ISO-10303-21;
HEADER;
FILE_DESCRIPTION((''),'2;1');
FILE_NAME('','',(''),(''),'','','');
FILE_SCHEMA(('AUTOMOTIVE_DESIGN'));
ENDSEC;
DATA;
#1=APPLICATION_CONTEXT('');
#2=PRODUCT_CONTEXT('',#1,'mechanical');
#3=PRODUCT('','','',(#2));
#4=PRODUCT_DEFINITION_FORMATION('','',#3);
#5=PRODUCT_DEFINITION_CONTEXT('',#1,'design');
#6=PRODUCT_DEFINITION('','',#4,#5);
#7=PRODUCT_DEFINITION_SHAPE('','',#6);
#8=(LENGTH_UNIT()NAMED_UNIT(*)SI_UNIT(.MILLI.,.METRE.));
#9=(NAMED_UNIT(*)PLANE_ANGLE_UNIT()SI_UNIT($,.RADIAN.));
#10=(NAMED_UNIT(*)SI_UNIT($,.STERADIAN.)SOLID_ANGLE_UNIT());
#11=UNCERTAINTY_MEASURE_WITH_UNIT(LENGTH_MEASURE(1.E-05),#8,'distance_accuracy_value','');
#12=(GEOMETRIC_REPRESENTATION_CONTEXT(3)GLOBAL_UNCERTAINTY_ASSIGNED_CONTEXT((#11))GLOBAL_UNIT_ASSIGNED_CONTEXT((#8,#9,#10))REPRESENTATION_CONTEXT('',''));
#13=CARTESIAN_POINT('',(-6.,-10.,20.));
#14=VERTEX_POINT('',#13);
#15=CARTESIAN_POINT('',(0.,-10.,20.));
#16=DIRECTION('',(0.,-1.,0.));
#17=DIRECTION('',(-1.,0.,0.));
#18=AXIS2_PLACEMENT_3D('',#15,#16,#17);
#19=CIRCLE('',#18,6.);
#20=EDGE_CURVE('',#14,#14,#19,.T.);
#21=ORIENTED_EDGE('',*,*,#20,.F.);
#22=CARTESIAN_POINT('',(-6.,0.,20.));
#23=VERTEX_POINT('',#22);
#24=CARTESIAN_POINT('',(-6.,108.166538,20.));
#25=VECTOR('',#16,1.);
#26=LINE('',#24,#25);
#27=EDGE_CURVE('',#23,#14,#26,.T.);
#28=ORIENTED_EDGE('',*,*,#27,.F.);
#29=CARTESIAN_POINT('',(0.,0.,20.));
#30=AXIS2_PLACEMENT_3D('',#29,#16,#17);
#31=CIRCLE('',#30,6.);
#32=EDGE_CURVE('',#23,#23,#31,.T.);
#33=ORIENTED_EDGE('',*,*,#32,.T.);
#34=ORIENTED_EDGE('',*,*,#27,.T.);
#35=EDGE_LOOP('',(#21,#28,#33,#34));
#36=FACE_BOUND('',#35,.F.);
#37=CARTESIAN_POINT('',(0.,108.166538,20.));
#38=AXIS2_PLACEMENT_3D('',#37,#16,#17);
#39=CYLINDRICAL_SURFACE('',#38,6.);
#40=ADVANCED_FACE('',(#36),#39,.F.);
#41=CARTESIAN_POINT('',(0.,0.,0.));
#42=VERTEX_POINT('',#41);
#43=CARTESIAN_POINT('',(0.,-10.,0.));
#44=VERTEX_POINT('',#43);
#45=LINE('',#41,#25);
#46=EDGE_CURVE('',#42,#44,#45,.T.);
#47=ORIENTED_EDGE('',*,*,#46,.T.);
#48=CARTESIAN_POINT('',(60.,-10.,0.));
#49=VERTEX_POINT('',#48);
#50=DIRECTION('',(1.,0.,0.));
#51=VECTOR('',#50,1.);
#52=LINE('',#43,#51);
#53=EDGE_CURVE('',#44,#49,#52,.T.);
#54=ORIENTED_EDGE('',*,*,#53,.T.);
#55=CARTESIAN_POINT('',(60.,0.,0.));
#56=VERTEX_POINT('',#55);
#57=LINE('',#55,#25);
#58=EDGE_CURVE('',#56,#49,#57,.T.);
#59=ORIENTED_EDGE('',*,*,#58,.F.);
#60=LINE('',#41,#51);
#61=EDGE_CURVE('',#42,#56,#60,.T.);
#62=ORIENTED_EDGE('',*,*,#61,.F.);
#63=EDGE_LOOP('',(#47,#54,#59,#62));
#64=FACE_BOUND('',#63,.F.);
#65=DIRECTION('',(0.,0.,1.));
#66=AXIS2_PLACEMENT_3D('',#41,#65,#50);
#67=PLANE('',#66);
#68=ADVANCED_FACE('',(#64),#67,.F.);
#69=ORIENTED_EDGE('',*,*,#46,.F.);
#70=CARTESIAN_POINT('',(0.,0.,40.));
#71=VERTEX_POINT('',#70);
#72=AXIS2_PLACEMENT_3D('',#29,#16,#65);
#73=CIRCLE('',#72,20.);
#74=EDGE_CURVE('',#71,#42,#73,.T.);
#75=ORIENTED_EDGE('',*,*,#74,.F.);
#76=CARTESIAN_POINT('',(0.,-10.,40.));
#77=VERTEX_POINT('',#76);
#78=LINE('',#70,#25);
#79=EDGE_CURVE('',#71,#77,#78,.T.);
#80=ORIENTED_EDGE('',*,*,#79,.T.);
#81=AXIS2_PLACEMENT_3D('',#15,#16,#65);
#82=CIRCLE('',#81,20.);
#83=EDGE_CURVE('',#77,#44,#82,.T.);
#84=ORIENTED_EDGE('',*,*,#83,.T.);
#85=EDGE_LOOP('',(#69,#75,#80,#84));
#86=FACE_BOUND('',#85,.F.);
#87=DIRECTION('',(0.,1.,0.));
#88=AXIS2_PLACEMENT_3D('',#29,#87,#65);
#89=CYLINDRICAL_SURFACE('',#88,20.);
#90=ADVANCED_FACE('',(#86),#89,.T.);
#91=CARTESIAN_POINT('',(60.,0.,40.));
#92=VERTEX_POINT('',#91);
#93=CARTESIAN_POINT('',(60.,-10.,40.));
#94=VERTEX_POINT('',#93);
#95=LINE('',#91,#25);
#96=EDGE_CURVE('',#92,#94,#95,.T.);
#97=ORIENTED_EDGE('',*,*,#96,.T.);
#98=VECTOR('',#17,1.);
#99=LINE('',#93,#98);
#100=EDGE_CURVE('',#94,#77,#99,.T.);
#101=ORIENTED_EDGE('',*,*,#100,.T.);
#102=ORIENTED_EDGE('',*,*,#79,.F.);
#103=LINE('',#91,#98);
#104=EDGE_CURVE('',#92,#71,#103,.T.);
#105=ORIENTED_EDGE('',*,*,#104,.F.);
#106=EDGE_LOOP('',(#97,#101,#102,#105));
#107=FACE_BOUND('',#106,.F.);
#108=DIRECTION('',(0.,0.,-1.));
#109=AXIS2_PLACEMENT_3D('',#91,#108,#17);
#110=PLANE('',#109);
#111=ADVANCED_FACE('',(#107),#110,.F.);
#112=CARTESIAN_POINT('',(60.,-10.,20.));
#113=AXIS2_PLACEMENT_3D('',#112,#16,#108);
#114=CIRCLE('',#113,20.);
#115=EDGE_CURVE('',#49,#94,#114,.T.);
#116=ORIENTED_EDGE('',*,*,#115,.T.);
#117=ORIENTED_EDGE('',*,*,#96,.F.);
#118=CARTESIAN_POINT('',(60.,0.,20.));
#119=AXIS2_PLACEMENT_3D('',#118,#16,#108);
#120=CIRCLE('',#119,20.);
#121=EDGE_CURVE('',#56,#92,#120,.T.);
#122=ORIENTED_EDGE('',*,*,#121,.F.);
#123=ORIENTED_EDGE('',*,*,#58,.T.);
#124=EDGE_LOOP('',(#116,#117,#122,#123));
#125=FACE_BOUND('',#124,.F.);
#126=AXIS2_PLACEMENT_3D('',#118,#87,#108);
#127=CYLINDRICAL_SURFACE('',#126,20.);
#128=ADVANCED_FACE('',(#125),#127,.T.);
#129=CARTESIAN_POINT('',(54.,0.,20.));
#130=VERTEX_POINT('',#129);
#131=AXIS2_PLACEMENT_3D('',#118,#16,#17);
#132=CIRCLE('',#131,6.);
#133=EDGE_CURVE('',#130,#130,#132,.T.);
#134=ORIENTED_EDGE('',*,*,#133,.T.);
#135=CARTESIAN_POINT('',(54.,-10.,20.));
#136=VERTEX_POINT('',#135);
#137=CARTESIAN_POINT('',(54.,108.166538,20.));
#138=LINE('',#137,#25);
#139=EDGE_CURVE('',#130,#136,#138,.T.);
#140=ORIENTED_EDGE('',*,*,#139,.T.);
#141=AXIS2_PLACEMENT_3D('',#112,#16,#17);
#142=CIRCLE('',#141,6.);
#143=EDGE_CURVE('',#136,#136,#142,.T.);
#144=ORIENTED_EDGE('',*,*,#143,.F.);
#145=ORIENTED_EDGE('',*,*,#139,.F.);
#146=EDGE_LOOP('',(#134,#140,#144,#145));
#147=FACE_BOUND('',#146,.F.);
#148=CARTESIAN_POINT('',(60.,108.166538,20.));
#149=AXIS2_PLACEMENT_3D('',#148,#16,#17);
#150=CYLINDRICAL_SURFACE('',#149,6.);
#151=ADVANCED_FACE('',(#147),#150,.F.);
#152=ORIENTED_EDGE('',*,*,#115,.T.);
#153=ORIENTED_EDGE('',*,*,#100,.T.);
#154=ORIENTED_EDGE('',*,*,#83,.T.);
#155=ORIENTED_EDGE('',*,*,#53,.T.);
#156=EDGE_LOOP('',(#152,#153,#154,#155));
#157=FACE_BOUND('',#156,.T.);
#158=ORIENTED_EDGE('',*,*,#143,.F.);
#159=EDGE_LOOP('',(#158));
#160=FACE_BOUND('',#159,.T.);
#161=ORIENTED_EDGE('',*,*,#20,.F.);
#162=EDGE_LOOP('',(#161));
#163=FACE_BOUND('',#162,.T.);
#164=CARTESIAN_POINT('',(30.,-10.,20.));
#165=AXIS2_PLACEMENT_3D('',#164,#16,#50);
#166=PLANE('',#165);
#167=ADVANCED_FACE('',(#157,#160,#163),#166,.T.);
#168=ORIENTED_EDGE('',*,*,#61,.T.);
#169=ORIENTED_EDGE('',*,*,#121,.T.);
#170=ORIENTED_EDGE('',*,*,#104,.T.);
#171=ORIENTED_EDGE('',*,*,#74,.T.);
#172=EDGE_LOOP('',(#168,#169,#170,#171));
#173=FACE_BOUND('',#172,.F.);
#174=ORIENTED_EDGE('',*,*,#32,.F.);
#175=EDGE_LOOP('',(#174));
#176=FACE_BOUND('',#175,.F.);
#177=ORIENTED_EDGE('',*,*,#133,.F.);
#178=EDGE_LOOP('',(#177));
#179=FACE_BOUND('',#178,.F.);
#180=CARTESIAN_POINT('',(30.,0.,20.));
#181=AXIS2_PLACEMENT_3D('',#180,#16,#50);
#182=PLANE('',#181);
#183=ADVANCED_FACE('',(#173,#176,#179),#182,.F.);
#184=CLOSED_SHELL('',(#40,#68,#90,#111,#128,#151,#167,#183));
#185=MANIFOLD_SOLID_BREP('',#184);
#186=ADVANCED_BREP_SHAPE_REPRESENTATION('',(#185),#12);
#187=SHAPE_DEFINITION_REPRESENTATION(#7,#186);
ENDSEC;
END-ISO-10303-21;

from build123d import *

# Parameters (mm, degrees)
F1_DEPTH = 10
F2_D     = 12


with BuildPart() as f1:
    # F0 (on Front) → F1 (new body)
    with BuildSketch(Plane.XZ):
        with BuildLine():
            ThreePointArc((0, 40), (-20, 20), (0, 0))
            Line((0, 0), (60, 0))
            ThreePointArc((60, 0), (80, 20), (60, 40))
            Line((60, 40), (0, 40))
        make_face()
    extrude(amount=F1_DEPTH)

    # F2 (through all)
    with Locations(Plane(origin=(0, 0, 0), x_dir=(1, 0, 0), z_dir=(0, 1, 0))):
        with Locations((0, -20), (60, -20)):
            Hole(F2_D / 2)


solid = f1.part
